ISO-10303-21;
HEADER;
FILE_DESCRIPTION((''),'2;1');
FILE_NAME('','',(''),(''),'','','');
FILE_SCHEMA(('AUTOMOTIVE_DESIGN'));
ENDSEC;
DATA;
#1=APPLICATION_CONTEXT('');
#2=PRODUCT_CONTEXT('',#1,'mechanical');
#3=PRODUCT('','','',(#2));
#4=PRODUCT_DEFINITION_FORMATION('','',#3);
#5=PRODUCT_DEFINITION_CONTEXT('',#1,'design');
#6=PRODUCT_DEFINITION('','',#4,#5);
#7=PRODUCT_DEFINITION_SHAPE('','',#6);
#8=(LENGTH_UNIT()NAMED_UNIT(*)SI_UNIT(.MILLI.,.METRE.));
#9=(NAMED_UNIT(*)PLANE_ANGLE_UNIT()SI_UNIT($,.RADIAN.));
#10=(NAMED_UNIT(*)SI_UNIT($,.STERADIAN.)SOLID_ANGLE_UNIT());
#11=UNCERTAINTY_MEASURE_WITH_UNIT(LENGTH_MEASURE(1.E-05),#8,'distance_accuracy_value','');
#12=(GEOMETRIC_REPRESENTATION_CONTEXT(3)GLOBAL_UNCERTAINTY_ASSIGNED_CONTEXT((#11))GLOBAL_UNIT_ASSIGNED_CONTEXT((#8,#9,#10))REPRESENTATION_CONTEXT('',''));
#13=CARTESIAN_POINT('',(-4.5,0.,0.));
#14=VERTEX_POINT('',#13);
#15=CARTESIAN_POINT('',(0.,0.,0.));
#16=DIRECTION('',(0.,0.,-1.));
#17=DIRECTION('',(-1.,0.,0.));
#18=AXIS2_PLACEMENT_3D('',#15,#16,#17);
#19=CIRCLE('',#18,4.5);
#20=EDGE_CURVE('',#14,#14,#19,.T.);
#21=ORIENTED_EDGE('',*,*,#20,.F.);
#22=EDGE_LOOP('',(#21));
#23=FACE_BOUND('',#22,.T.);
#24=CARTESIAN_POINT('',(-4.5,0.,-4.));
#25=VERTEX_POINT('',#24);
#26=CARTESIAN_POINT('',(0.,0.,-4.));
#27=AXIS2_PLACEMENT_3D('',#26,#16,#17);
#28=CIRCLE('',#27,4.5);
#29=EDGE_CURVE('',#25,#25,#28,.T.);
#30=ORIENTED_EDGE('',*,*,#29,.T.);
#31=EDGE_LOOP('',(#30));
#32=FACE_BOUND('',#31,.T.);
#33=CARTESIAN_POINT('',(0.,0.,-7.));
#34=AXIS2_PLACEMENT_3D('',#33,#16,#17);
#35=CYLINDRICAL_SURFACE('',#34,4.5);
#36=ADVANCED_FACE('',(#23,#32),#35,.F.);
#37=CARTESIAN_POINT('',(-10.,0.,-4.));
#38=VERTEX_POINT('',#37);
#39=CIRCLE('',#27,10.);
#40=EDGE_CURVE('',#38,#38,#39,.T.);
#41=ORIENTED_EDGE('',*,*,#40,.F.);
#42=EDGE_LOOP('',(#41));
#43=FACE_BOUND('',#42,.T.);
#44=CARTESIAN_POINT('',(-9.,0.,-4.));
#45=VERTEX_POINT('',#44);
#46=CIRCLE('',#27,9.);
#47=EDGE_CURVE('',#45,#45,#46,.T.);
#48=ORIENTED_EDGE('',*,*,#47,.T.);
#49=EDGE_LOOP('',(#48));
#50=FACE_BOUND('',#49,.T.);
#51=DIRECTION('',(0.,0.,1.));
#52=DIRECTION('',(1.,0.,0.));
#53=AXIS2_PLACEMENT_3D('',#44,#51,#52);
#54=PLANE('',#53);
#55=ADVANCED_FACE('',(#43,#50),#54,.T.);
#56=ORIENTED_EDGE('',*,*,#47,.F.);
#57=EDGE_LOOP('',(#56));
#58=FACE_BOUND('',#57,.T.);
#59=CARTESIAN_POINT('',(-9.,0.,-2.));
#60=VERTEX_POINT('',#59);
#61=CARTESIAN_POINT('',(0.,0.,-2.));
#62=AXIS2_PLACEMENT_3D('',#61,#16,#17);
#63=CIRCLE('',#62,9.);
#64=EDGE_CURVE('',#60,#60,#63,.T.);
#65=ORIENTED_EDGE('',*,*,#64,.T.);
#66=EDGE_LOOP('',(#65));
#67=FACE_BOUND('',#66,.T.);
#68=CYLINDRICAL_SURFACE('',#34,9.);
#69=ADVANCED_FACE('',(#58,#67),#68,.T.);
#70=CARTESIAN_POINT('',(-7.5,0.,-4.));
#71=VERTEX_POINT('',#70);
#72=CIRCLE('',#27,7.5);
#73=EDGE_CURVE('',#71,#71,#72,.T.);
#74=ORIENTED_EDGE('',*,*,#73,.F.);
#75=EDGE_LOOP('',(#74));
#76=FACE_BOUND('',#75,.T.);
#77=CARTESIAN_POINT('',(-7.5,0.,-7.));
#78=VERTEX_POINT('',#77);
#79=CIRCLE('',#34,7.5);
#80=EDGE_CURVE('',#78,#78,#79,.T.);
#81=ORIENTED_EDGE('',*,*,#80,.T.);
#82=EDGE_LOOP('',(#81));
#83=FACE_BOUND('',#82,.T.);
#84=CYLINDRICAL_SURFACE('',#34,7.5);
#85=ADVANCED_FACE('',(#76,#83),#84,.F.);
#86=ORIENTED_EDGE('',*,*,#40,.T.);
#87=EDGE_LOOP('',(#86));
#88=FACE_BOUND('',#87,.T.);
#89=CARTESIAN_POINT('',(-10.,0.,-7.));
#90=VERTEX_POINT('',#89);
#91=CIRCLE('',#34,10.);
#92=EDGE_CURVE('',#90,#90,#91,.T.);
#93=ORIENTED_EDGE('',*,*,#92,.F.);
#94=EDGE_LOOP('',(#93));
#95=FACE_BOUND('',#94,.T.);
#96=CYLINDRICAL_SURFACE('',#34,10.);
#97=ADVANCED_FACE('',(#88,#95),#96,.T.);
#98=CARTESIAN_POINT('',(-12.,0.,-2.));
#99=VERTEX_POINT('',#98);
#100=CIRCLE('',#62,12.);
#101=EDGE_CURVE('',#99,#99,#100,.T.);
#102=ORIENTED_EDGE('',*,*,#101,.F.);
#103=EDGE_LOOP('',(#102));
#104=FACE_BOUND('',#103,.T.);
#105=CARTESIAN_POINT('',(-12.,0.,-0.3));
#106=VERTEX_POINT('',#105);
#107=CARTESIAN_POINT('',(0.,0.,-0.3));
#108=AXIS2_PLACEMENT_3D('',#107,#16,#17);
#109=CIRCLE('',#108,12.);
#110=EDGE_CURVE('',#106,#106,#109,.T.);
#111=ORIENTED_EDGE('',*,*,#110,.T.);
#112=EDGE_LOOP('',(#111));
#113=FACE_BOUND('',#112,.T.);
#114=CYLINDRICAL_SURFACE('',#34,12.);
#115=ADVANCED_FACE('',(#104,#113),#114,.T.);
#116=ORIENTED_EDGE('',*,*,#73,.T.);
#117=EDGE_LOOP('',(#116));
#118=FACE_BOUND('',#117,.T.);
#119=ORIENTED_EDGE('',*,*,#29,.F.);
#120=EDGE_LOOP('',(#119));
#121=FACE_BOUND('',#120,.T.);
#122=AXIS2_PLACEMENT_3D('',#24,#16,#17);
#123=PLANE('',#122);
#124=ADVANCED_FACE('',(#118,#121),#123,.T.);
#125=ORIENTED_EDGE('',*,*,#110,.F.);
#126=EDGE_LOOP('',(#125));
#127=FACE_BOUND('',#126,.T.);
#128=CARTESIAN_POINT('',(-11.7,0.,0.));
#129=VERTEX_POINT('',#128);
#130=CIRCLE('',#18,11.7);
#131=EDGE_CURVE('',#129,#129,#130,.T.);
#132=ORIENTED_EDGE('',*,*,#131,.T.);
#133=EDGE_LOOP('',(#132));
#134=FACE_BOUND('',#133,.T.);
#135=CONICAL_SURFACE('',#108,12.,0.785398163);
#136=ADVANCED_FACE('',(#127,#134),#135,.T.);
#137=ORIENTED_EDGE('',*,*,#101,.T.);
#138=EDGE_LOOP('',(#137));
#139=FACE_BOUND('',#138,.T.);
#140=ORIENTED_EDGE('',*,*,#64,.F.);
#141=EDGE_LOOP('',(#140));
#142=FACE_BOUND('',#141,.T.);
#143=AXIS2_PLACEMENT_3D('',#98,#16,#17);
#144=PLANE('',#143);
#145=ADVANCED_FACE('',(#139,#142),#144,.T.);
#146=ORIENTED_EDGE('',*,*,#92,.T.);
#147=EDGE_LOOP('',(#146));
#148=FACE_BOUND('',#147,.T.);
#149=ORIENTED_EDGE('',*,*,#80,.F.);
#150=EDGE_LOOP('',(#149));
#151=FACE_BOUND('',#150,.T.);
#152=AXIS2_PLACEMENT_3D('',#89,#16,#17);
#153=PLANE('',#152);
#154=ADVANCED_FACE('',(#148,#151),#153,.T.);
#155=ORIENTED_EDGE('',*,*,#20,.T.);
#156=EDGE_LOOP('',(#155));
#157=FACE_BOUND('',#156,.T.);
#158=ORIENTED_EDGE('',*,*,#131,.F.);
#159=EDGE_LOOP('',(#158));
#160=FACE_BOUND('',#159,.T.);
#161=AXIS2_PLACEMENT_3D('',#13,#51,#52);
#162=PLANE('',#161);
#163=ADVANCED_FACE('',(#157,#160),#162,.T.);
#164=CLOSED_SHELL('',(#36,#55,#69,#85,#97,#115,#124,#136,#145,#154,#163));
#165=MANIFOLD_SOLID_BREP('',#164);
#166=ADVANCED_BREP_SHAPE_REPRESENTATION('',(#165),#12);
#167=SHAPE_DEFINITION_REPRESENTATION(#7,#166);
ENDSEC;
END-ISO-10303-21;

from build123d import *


with BuildPart() as part:
    # Эскиз2 → Повернуть1 (revolve)
    with BuildSketch(Plane(origin=(0, 0, 0), x_dir=(1, 0, 0), z_dir=(0, 1, 0))):
        Polygon((-4.5, 0), (-11.7, 0), (-12, 0.3), (-12, 2), (-9, 2), (-9, 4), (-10, 4), (-10, 7), (-7.5, 7), (-7.5, 4), (-4.5, 4), align=None)
    revolve(axis=Axis((0, 0, -7), (0, 0, 1)))


solid = part.part
